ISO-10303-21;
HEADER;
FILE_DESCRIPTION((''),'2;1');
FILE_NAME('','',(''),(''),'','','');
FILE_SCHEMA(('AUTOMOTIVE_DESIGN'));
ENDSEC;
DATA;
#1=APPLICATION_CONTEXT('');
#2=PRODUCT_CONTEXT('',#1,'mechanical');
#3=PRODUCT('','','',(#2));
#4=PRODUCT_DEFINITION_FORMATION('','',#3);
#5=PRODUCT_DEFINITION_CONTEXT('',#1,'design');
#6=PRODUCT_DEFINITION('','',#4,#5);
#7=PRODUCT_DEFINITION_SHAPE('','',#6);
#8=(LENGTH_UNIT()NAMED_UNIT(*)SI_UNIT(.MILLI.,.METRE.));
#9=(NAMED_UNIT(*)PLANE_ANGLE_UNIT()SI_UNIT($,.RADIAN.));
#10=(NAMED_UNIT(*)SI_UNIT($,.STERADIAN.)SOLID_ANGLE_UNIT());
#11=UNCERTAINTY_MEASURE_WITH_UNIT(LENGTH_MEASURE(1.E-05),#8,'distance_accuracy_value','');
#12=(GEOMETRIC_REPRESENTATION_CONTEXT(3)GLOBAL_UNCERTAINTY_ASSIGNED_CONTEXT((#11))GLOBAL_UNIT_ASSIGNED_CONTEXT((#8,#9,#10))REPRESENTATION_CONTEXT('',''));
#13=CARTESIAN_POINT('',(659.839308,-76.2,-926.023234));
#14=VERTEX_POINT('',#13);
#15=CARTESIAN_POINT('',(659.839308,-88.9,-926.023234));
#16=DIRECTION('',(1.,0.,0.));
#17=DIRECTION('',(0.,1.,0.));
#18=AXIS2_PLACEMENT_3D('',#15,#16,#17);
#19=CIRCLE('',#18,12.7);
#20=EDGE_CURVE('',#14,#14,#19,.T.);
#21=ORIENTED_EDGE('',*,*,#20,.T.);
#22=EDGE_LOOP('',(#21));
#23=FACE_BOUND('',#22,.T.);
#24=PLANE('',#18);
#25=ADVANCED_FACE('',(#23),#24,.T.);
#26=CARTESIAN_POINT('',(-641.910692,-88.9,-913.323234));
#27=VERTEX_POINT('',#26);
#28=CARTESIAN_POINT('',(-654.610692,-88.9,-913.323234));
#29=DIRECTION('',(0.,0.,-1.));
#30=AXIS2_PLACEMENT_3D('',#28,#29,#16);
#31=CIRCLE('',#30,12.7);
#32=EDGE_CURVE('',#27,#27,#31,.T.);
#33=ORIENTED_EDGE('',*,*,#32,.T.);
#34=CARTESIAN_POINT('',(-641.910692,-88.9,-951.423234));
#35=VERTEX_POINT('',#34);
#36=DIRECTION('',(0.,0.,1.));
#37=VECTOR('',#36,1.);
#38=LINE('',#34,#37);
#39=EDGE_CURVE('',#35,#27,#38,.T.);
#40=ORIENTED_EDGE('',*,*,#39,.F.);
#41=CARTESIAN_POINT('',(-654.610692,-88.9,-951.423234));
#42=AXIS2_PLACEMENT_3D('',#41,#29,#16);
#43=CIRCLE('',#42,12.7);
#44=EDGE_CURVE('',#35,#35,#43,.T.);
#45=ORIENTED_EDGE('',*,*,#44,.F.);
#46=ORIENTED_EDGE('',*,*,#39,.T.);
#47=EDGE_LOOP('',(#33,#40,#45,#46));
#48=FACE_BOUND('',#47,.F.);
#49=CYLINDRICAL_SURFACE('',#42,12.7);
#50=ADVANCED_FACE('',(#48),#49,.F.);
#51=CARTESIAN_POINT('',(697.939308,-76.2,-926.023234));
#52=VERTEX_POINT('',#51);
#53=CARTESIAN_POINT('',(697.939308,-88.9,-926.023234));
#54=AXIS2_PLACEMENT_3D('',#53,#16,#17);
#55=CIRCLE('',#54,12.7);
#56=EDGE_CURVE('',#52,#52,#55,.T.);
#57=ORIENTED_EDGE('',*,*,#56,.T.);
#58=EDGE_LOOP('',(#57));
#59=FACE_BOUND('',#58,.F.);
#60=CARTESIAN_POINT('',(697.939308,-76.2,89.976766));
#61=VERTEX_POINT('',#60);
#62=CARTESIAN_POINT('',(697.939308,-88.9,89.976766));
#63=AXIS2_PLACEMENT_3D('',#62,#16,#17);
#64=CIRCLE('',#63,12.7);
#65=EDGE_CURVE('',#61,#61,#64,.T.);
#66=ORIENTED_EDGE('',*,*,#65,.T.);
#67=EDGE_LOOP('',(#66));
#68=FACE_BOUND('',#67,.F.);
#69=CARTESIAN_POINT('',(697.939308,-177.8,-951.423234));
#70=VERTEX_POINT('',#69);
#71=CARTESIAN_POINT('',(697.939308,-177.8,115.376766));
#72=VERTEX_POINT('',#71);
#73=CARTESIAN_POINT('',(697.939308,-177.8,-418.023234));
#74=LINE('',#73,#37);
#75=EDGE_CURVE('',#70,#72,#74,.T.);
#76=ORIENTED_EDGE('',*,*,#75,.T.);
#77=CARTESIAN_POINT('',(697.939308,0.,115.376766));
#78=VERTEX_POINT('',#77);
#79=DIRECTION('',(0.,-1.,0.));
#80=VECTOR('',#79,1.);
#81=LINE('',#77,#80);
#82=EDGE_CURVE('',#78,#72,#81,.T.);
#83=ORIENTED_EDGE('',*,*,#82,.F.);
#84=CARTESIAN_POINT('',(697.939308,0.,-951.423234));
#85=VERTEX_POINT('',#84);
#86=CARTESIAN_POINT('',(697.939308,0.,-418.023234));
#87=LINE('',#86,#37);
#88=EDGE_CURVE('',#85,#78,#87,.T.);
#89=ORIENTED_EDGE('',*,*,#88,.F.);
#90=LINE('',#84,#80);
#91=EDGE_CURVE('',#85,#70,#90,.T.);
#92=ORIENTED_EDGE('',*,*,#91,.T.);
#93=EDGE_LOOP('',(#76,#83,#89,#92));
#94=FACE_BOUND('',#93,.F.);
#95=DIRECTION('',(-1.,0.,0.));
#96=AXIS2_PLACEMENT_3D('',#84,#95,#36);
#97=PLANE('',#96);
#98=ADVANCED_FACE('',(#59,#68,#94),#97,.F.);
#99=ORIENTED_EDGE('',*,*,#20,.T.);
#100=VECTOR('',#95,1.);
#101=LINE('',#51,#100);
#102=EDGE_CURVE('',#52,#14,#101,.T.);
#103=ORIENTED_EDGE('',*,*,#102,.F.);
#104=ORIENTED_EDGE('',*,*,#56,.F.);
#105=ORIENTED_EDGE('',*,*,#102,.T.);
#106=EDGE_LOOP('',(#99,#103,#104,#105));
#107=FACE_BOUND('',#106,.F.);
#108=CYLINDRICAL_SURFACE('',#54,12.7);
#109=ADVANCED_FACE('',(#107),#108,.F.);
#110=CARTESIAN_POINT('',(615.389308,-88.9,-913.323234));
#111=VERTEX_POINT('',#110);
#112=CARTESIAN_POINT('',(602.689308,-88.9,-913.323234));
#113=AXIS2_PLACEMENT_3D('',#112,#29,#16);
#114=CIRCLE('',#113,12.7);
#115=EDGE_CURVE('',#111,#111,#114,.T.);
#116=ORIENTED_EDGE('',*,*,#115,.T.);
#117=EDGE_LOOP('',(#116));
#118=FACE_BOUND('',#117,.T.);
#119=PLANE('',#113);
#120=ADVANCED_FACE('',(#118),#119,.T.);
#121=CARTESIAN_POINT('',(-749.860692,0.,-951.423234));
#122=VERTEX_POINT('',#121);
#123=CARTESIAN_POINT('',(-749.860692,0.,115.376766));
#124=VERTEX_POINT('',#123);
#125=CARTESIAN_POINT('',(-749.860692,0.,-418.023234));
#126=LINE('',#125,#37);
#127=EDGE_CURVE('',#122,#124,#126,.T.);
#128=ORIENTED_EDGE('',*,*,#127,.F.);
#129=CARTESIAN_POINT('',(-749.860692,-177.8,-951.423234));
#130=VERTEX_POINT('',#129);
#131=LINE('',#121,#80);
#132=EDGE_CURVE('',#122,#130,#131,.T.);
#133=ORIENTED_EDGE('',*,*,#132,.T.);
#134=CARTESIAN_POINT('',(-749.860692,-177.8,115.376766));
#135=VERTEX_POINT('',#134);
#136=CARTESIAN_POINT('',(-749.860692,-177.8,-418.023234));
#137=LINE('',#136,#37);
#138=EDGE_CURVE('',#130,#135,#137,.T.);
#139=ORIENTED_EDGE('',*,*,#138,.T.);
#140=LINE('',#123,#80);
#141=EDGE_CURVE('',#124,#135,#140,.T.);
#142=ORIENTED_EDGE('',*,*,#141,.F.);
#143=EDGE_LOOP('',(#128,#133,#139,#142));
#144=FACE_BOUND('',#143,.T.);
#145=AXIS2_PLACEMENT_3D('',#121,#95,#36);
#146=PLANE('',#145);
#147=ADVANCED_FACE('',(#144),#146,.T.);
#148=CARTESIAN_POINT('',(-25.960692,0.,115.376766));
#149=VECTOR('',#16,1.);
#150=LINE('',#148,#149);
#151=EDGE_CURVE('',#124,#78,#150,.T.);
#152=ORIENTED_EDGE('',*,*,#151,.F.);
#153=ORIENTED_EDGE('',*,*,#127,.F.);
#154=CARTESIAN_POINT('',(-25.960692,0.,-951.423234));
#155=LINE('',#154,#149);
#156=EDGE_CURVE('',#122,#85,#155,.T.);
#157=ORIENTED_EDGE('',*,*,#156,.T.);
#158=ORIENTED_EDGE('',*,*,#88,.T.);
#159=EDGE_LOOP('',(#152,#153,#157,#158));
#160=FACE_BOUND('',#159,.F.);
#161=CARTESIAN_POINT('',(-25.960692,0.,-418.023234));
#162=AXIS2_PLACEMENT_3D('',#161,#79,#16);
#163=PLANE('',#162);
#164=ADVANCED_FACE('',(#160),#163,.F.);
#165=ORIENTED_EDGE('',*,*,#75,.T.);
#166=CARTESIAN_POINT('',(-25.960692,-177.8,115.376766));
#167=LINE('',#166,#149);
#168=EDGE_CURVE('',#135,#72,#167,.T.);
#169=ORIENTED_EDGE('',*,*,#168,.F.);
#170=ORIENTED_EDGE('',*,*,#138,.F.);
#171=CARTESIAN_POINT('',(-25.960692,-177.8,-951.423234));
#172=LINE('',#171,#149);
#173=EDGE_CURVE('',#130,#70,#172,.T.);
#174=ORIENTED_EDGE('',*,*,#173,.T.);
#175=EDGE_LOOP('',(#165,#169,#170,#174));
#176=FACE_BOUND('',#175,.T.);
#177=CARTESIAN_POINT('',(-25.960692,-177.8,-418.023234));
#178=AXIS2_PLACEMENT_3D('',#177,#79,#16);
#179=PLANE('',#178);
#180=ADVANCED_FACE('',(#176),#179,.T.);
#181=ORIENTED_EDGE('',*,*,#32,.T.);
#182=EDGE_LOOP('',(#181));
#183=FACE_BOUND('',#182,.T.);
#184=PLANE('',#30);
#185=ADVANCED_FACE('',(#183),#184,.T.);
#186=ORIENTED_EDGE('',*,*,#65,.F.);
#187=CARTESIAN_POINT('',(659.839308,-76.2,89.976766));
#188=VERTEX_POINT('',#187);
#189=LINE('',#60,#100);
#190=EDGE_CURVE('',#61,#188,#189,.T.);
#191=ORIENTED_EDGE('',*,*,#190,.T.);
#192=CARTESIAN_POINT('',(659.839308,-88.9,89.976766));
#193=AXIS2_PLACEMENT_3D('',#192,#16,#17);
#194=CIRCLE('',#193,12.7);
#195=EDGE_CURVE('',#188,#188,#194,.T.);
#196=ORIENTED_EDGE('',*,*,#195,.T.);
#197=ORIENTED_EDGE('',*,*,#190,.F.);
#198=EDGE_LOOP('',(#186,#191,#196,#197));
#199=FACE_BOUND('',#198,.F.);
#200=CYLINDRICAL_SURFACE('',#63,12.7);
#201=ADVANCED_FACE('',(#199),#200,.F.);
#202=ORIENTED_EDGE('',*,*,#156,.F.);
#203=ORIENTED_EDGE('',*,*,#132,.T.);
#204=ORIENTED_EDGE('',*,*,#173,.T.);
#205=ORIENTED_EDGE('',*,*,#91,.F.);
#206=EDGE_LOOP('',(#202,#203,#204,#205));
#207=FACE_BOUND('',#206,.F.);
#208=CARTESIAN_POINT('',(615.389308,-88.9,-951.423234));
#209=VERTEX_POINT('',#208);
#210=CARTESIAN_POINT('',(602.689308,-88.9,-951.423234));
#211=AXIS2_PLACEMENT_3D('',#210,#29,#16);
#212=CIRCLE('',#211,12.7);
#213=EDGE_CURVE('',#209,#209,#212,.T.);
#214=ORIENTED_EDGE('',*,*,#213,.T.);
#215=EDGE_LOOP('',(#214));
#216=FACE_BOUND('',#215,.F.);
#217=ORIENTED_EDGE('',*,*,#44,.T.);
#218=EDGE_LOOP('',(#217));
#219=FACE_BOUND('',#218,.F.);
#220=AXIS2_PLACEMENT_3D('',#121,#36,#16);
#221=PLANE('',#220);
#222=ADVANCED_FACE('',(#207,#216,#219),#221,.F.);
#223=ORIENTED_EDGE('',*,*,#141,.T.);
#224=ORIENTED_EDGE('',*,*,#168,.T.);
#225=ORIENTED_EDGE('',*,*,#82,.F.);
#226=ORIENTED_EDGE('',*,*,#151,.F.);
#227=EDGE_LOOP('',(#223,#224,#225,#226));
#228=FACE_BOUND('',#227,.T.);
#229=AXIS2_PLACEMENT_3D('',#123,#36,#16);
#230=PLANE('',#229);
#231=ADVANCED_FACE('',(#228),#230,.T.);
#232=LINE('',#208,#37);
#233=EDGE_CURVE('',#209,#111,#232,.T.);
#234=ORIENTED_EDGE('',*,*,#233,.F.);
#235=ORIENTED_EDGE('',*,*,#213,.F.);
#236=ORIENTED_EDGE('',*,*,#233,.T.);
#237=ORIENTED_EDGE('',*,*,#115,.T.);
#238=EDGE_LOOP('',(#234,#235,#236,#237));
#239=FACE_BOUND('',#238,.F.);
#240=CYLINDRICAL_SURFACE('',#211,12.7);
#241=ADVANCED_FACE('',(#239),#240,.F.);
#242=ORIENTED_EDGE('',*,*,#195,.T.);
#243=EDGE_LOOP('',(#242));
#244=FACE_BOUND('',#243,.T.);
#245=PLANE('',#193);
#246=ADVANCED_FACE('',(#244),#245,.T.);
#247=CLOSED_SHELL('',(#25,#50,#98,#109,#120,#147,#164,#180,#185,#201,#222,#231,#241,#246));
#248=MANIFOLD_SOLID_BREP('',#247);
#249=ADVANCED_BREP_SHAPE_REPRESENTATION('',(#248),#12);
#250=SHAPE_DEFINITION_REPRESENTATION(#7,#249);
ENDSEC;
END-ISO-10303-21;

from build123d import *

# Parameters (mm, degrees)
F0_W     = 1447.8
F0_H     = 1066.8
F1_DEPTH = 177.8
F2_R     = 12.7
F3_DEPTH = 38.1
F4_R     = 12.7
F5_DEPTH = 38.1


with BuildPart() as f1:
    # F0 (on Front) → F1 (new body)
    with BuildSketch(Plane.XZ):
        with Locations((-25.960692, -418.023234)):
            Rectangle(F0_W, F0_H)
    extrude(amount=F1_DEPTH)

    # F2 (on face) → F3 (cut)
    with BuildSketch(Plane(origin=(0, 0, -951.423234), x_dir=(1, 0, 0), z_dir=(0, 0, -1))):
        with Locations((-654.610692, 88.9)):
            Circle(F2_R)
        with Locations((602.689308, 88.9)):
            Circle(F2_R)
    extrude(amount=-F3_DEPTH, mode=Mode.SUBTRACT)

    # F4 (on face) → F5 (cut)
    with BuildSketch(Plane.YZ.offset(697.939308)):
        with Locations((-88.9, 89.976766)):
            Circle(F4_R)
        with Locations((-88.9, -926.023234)):
            Circle(F4_R)
    extrude(amount=-F5_DEPTH, mode=Mode.SUBTRACT)


solid = f1.part
